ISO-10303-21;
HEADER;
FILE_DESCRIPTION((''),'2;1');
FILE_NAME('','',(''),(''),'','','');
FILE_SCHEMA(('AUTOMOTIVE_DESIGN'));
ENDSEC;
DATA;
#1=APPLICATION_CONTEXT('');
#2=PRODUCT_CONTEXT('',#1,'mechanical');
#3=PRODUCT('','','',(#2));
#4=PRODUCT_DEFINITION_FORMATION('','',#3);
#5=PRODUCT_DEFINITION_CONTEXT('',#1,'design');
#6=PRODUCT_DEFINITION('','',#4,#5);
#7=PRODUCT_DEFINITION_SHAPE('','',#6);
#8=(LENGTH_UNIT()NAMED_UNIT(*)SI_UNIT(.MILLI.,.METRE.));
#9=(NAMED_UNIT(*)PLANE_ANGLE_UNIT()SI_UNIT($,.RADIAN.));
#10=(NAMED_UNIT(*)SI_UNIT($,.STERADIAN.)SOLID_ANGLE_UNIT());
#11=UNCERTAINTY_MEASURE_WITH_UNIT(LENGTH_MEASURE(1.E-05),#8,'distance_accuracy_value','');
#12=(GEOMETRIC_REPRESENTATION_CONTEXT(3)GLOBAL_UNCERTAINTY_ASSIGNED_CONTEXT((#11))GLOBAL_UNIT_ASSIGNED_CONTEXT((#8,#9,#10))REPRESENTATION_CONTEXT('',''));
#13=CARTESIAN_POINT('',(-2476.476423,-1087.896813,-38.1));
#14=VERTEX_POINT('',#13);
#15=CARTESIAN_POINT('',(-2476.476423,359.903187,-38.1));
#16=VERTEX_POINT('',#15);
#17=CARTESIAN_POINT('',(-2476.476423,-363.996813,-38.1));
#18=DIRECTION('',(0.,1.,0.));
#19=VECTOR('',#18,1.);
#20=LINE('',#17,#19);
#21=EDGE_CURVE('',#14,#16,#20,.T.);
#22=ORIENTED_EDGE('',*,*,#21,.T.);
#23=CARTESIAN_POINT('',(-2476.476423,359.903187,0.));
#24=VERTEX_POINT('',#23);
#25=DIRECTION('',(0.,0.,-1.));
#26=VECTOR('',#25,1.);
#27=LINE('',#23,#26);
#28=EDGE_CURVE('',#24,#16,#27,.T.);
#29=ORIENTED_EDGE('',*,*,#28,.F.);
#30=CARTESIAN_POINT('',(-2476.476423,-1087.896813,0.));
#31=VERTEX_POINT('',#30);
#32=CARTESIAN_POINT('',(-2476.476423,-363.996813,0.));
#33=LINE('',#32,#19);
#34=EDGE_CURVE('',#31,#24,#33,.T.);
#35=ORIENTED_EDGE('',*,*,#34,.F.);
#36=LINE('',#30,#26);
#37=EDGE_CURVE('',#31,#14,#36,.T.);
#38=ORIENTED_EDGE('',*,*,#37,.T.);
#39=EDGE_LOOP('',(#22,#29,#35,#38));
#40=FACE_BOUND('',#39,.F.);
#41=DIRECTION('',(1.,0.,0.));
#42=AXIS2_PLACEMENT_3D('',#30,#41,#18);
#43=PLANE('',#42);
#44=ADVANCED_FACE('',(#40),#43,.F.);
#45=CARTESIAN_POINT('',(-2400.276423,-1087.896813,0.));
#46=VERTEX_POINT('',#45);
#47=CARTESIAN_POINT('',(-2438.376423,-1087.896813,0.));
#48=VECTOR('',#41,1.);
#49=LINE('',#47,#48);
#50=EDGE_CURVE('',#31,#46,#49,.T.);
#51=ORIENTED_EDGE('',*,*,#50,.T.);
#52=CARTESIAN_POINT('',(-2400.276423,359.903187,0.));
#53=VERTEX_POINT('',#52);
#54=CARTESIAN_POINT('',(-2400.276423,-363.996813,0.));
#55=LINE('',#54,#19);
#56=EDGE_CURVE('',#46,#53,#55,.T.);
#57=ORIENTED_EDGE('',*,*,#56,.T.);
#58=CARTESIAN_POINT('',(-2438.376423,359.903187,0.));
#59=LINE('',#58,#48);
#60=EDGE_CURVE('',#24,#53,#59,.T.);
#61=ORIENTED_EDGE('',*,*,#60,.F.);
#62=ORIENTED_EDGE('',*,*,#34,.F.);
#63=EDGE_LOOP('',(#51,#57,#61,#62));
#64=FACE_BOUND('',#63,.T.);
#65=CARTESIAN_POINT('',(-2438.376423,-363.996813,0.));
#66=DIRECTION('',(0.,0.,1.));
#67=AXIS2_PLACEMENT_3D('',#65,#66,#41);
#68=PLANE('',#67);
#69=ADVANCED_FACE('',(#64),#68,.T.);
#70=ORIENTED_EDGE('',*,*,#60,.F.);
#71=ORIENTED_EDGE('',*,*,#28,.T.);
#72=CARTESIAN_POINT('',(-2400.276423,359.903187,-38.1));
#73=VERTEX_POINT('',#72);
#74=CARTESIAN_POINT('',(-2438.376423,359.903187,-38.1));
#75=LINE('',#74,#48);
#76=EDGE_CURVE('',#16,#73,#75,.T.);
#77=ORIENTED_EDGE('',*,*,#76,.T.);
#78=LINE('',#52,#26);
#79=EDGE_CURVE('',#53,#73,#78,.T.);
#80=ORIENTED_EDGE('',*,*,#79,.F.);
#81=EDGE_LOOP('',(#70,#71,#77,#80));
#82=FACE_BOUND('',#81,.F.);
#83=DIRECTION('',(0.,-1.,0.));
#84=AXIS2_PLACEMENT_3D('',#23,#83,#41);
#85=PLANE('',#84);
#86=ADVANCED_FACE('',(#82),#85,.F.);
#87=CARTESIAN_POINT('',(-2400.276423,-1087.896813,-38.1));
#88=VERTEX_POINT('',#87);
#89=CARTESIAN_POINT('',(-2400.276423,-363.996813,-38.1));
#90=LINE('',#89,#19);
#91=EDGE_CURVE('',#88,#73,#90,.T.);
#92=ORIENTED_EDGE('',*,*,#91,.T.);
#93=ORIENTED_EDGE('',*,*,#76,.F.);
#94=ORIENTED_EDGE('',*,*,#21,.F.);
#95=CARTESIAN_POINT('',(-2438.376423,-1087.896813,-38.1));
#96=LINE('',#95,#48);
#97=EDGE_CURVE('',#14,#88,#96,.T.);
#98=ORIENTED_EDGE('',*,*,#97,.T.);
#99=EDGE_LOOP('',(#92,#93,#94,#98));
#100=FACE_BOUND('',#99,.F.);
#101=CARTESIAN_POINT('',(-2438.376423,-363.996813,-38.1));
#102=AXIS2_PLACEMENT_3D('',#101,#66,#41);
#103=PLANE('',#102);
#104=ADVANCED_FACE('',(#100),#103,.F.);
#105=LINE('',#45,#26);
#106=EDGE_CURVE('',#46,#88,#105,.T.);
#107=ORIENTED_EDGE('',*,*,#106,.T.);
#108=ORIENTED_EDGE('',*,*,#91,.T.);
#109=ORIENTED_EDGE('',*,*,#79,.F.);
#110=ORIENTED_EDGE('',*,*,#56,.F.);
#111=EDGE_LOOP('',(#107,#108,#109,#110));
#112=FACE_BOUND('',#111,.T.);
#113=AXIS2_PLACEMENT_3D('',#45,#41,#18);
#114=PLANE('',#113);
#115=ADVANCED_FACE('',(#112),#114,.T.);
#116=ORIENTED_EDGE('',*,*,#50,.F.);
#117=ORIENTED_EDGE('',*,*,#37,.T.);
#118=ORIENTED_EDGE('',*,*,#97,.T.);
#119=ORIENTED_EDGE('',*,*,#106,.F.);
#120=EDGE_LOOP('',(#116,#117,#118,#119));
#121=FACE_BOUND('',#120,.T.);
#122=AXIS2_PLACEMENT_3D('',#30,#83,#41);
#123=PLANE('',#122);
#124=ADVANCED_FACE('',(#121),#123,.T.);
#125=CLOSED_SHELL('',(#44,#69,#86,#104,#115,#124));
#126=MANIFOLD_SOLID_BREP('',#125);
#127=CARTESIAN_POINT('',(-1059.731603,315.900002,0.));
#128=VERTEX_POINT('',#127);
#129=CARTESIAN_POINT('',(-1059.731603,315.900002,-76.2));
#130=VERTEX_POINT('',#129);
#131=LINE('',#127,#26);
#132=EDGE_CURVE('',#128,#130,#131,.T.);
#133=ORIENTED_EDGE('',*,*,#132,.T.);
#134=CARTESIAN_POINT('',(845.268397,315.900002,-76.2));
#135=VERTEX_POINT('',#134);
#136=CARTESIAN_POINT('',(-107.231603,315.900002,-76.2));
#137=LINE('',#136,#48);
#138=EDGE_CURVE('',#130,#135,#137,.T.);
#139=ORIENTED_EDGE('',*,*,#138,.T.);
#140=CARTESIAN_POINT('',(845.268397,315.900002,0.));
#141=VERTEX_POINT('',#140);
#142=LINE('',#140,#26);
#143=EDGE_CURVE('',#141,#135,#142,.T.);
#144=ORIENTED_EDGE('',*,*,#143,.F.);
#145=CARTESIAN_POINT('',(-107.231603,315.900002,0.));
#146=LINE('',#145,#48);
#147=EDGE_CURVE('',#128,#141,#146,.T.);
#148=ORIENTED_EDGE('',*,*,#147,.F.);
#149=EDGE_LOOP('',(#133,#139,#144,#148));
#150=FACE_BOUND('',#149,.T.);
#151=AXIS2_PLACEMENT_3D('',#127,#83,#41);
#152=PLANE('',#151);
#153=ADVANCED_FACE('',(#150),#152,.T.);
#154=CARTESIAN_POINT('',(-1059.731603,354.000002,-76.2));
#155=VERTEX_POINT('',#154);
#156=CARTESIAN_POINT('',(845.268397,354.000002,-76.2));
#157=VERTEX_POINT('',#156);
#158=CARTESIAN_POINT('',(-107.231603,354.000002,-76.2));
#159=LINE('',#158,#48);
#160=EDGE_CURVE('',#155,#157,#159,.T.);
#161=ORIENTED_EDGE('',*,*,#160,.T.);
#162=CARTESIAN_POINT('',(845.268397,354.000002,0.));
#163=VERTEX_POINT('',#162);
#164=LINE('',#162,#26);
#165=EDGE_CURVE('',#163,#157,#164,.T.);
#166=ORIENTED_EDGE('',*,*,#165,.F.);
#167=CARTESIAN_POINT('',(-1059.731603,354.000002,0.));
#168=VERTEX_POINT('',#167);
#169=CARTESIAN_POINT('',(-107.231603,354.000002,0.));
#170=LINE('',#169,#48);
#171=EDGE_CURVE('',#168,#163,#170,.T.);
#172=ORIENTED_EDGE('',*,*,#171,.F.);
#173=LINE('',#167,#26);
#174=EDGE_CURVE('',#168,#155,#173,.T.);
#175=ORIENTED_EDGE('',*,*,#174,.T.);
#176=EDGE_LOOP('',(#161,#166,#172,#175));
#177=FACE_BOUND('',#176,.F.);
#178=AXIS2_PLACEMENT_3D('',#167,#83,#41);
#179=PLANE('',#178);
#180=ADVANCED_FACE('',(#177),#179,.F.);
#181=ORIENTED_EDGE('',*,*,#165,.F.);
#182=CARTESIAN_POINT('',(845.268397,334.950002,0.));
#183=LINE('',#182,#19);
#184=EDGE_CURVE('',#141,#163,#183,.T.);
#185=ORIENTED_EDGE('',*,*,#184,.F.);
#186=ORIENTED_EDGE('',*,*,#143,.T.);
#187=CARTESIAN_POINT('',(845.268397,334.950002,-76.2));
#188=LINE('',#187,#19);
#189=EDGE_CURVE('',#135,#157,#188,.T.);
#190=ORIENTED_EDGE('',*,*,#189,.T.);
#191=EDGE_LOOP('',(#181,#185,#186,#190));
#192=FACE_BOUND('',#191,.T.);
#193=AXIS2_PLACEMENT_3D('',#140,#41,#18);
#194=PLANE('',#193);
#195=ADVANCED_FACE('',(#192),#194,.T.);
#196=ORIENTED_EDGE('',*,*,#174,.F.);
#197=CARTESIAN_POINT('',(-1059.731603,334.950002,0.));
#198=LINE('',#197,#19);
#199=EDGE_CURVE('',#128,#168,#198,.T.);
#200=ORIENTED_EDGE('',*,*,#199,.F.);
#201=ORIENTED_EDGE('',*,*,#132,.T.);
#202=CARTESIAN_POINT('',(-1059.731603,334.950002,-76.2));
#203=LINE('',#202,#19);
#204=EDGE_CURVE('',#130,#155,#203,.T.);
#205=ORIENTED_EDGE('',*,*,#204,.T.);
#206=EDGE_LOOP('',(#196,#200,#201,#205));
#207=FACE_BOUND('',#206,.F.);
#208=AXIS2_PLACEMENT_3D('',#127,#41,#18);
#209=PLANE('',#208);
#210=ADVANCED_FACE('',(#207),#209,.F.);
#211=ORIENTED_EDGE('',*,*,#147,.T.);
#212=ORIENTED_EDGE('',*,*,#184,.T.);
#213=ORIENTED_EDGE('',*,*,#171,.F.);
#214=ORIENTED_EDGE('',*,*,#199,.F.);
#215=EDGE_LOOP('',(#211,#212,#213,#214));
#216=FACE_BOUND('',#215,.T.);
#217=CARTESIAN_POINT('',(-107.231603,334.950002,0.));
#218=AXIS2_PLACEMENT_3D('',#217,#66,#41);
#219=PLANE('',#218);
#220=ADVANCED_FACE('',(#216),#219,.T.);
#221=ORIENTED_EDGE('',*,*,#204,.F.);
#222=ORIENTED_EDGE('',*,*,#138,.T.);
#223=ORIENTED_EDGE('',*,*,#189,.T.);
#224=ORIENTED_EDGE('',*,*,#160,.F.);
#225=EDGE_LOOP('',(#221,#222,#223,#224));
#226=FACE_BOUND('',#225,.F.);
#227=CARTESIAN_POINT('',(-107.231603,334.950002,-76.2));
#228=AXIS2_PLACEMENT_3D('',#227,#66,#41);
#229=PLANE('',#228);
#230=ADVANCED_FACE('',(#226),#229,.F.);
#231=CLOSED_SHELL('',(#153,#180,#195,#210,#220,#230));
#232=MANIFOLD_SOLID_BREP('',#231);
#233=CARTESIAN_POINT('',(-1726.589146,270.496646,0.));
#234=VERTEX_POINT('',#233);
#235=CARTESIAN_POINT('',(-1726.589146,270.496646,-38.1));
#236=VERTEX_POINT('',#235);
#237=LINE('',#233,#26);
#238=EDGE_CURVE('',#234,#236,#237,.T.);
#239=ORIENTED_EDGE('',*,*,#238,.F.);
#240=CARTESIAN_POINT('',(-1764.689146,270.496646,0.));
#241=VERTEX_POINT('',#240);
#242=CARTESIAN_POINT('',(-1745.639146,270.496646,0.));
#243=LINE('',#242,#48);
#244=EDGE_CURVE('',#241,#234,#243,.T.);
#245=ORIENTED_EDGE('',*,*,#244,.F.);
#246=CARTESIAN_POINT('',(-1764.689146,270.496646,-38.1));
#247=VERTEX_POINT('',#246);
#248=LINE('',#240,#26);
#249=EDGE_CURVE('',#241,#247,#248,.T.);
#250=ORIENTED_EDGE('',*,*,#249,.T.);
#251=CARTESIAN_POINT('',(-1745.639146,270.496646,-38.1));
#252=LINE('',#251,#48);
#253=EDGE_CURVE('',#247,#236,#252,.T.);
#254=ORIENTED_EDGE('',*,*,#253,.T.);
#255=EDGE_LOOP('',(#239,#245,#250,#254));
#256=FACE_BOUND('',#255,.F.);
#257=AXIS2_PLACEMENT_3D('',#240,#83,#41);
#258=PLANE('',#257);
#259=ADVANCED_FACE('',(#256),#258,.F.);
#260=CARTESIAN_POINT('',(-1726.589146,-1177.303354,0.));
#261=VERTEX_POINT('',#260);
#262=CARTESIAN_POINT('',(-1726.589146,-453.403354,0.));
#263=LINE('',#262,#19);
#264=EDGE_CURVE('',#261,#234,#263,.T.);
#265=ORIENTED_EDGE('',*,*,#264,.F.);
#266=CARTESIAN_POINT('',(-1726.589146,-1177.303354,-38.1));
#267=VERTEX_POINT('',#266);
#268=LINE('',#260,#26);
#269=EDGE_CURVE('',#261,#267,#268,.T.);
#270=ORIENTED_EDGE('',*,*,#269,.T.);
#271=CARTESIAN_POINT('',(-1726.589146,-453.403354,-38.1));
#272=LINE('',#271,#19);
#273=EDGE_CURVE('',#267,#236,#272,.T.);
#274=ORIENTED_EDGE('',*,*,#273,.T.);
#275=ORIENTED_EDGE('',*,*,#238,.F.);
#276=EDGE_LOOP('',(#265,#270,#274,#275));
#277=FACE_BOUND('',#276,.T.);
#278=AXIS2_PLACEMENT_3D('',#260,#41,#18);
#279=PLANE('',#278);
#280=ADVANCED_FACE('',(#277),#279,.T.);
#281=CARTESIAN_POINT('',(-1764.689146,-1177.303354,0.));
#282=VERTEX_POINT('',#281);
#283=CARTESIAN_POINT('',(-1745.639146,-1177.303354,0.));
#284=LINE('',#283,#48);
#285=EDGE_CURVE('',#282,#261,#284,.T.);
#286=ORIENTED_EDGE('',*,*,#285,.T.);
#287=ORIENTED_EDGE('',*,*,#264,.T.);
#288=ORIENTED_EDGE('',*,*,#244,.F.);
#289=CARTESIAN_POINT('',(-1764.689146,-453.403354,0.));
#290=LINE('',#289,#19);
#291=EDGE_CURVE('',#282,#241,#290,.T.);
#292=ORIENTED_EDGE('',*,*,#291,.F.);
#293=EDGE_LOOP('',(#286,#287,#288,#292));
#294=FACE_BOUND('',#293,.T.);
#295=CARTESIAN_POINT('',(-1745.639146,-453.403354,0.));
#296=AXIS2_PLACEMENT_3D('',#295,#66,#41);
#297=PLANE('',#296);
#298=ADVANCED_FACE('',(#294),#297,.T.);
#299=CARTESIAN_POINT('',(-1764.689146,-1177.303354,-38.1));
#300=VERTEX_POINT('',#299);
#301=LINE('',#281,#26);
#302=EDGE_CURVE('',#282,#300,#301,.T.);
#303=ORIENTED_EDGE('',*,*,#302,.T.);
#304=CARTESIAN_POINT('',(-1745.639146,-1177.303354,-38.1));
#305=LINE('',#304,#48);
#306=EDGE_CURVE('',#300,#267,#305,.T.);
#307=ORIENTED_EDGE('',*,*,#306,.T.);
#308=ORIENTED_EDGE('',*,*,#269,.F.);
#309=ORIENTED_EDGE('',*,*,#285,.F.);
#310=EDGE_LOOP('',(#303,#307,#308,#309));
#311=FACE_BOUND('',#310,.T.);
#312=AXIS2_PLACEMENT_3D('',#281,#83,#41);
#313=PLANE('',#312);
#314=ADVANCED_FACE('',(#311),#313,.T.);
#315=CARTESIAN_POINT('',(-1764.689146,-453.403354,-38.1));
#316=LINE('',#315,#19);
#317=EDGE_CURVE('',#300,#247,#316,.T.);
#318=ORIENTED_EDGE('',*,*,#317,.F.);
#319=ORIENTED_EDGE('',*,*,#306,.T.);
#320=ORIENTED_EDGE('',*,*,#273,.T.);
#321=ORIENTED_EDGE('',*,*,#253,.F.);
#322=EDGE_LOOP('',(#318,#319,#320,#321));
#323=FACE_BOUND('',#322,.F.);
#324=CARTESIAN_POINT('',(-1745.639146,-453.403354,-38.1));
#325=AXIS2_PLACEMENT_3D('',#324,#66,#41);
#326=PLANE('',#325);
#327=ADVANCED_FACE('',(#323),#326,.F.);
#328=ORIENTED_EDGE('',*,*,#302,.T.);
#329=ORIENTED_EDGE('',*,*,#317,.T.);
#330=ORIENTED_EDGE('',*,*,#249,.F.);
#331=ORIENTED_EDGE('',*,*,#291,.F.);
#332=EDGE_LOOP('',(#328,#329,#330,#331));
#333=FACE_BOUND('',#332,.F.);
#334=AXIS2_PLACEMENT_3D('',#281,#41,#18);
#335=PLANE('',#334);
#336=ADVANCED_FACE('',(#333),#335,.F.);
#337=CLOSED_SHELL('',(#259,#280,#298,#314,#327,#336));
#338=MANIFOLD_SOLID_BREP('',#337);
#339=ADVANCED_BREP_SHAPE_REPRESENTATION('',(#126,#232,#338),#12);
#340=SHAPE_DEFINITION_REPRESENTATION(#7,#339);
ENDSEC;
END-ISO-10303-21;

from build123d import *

# Parameters (mm, degrees)
F0_W     = 1905
F0_H     = 38.1
F1_DEPTH = 76.2
F2_W     = 76.2
F2_H     = 1447.8
F3_DEPTH = 38.1
F4_W     = 38.1
F4_H     = 1447.8
F5_DEPTH = 38.1


with BuildPart() as f1:
    # F0 (on Top) → F1 (new body)
    with BuildSketch(Plane.XY):
        with Locations((-107.231603, 334.950002)):
            Rectangle(F0_W, F0_H)
    extrude(amount=-F1_DEPTH)


with BuildPart() as f3:
    # F2 (on Top) → F3 (new body)
    with BuildSketch(Plane.XY):
        with Locations((-2438.376423, -363.996813)):
            Rectangle(F2_W, F2_H)
    extrude(amount=-F3_DEPTH)


with BuildPart() as f5:
    # F4 (on Top) → F5 (new body)
    with BuildSketch(Plane.XY):
        with Locations((-1745.639146, -453.403354)):
            Rectangle(F4_W, F4_H)
    extrude(amount=-F5_DEPTH)


solid = Compound([f1.part, f3.part, f5.part])
